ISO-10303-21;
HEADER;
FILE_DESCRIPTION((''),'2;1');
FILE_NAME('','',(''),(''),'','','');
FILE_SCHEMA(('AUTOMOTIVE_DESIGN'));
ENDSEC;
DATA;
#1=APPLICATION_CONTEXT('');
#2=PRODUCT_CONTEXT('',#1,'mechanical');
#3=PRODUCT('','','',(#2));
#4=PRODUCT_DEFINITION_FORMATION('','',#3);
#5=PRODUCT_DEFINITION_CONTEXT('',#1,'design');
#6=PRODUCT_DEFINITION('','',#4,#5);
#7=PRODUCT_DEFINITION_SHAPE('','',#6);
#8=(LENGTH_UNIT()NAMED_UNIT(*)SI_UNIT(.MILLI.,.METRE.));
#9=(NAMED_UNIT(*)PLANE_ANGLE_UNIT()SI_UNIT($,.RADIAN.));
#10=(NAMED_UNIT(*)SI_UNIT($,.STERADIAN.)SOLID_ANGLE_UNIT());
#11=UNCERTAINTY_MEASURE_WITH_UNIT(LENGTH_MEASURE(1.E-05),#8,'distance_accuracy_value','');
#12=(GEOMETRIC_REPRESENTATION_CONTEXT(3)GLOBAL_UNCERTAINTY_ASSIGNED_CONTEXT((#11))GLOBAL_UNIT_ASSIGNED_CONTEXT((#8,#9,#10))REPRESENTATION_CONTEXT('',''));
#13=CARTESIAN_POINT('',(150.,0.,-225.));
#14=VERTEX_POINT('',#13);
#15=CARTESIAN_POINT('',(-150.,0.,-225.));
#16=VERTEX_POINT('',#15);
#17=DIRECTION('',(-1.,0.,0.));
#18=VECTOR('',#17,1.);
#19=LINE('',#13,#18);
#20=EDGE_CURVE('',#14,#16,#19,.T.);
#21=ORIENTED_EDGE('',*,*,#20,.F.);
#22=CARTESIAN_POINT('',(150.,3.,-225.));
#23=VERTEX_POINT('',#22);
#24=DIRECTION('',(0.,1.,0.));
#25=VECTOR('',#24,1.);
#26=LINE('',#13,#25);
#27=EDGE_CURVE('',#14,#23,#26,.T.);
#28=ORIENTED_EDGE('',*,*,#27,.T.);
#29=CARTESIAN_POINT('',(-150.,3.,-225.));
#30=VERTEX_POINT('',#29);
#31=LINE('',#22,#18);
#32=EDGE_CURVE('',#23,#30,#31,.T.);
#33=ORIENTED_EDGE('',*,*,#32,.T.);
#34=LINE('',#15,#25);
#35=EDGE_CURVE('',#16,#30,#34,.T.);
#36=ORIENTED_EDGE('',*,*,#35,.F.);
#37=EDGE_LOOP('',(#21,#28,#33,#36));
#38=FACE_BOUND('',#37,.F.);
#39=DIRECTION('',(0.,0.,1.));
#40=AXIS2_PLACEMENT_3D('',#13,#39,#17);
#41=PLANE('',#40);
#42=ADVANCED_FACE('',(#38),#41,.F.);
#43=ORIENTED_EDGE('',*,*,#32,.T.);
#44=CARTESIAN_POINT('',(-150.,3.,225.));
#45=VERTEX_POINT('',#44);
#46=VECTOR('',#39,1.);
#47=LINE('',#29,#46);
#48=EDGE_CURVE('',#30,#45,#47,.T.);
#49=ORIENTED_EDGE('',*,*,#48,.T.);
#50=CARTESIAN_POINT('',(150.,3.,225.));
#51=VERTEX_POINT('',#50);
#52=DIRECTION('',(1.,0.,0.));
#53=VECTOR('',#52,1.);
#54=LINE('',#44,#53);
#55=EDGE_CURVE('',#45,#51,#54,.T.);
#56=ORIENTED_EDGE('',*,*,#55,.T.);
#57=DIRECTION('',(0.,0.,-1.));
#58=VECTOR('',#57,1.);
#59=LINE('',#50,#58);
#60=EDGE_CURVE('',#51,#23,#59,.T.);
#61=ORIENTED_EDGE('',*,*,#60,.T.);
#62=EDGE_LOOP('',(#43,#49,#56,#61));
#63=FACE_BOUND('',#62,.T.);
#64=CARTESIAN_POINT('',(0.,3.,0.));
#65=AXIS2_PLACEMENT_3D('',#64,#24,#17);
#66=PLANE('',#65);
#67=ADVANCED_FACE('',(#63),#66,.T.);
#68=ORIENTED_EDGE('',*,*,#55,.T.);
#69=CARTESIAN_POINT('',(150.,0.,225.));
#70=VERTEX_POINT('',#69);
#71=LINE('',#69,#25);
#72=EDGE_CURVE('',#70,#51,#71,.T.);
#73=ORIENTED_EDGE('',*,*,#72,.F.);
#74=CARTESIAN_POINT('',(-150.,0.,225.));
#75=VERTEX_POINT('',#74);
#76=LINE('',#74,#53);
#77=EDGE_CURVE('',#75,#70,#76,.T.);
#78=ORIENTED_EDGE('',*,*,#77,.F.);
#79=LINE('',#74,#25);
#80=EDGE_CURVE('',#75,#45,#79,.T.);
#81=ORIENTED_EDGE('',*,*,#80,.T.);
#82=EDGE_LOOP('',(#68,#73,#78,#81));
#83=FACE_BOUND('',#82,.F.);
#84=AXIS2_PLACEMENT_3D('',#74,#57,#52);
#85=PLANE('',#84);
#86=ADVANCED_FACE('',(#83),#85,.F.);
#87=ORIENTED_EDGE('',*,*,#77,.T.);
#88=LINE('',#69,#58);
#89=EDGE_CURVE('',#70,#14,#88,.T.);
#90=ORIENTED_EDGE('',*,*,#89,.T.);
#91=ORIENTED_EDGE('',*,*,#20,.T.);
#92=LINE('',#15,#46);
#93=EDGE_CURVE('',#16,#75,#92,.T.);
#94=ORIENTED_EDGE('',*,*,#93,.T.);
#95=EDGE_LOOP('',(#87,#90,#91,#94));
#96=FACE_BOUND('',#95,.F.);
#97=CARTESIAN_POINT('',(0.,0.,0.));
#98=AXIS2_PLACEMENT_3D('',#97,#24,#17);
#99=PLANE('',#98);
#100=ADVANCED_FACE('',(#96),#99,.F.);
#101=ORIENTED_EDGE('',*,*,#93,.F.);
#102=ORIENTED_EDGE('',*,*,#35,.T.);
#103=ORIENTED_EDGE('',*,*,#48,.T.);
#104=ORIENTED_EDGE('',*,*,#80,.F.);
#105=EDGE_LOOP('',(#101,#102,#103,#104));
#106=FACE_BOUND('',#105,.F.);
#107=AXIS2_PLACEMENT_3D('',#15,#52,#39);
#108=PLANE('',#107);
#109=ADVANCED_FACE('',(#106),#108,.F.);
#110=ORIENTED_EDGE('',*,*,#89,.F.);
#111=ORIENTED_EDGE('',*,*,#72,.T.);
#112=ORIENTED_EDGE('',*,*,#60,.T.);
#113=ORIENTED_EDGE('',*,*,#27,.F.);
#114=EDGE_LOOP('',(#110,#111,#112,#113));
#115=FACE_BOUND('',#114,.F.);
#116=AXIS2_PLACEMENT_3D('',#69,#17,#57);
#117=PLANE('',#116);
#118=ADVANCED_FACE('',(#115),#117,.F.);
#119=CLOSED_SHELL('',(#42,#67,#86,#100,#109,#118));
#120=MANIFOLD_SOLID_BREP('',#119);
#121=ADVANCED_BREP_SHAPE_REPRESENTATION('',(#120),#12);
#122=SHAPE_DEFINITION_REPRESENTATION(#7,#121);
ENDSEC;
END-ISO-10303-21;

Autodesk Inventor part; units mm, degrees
ref_plane "YZ Plane" through (0, 0, 0) normal (1, 0, 0) x (0, 1, 0)
ref_plane "XZ Plane" through (0, 0, 0) normal (0, 1, 0) x (-1, 0, 0)
ref_plane "XY Plane" through (0, 0, 0) normal (0, 0, 1) x (1, 0, 0)
sketch "Sketch1" plane through (0, 0, 0) normal (0, 1, 0) x (-1, 0, 0)
  line L0 (-150, -225) -> (150, -225)
  line L1 (150, -225) -> (150, 225)
  line L2 (150, 225) -> (-150, 225)
  line L3 (-150, 225) -> (-150, -225)
  line L4 (-150, -225) -> (150, 225) construction
  line L5 (150, -225) -> (-150, 225) construction
  line L6 (147, 222) -> (147, -222)
  line L7 (147, -222) -> (-147, -222)
  line L8 (-147, -222) -> (-147, 222)
  line L9 (-147, 222) -> (147, 222)
  point P0 (0, 0)
  dimension "d0" = 300
  dimension "d1" = 450
  dimension "d4" = 3
extrude "Extrusion1" add sketch "Sketch1" along normal blind 3 contours L3 L2 L1 L0 | L6 L7 L8 L9
